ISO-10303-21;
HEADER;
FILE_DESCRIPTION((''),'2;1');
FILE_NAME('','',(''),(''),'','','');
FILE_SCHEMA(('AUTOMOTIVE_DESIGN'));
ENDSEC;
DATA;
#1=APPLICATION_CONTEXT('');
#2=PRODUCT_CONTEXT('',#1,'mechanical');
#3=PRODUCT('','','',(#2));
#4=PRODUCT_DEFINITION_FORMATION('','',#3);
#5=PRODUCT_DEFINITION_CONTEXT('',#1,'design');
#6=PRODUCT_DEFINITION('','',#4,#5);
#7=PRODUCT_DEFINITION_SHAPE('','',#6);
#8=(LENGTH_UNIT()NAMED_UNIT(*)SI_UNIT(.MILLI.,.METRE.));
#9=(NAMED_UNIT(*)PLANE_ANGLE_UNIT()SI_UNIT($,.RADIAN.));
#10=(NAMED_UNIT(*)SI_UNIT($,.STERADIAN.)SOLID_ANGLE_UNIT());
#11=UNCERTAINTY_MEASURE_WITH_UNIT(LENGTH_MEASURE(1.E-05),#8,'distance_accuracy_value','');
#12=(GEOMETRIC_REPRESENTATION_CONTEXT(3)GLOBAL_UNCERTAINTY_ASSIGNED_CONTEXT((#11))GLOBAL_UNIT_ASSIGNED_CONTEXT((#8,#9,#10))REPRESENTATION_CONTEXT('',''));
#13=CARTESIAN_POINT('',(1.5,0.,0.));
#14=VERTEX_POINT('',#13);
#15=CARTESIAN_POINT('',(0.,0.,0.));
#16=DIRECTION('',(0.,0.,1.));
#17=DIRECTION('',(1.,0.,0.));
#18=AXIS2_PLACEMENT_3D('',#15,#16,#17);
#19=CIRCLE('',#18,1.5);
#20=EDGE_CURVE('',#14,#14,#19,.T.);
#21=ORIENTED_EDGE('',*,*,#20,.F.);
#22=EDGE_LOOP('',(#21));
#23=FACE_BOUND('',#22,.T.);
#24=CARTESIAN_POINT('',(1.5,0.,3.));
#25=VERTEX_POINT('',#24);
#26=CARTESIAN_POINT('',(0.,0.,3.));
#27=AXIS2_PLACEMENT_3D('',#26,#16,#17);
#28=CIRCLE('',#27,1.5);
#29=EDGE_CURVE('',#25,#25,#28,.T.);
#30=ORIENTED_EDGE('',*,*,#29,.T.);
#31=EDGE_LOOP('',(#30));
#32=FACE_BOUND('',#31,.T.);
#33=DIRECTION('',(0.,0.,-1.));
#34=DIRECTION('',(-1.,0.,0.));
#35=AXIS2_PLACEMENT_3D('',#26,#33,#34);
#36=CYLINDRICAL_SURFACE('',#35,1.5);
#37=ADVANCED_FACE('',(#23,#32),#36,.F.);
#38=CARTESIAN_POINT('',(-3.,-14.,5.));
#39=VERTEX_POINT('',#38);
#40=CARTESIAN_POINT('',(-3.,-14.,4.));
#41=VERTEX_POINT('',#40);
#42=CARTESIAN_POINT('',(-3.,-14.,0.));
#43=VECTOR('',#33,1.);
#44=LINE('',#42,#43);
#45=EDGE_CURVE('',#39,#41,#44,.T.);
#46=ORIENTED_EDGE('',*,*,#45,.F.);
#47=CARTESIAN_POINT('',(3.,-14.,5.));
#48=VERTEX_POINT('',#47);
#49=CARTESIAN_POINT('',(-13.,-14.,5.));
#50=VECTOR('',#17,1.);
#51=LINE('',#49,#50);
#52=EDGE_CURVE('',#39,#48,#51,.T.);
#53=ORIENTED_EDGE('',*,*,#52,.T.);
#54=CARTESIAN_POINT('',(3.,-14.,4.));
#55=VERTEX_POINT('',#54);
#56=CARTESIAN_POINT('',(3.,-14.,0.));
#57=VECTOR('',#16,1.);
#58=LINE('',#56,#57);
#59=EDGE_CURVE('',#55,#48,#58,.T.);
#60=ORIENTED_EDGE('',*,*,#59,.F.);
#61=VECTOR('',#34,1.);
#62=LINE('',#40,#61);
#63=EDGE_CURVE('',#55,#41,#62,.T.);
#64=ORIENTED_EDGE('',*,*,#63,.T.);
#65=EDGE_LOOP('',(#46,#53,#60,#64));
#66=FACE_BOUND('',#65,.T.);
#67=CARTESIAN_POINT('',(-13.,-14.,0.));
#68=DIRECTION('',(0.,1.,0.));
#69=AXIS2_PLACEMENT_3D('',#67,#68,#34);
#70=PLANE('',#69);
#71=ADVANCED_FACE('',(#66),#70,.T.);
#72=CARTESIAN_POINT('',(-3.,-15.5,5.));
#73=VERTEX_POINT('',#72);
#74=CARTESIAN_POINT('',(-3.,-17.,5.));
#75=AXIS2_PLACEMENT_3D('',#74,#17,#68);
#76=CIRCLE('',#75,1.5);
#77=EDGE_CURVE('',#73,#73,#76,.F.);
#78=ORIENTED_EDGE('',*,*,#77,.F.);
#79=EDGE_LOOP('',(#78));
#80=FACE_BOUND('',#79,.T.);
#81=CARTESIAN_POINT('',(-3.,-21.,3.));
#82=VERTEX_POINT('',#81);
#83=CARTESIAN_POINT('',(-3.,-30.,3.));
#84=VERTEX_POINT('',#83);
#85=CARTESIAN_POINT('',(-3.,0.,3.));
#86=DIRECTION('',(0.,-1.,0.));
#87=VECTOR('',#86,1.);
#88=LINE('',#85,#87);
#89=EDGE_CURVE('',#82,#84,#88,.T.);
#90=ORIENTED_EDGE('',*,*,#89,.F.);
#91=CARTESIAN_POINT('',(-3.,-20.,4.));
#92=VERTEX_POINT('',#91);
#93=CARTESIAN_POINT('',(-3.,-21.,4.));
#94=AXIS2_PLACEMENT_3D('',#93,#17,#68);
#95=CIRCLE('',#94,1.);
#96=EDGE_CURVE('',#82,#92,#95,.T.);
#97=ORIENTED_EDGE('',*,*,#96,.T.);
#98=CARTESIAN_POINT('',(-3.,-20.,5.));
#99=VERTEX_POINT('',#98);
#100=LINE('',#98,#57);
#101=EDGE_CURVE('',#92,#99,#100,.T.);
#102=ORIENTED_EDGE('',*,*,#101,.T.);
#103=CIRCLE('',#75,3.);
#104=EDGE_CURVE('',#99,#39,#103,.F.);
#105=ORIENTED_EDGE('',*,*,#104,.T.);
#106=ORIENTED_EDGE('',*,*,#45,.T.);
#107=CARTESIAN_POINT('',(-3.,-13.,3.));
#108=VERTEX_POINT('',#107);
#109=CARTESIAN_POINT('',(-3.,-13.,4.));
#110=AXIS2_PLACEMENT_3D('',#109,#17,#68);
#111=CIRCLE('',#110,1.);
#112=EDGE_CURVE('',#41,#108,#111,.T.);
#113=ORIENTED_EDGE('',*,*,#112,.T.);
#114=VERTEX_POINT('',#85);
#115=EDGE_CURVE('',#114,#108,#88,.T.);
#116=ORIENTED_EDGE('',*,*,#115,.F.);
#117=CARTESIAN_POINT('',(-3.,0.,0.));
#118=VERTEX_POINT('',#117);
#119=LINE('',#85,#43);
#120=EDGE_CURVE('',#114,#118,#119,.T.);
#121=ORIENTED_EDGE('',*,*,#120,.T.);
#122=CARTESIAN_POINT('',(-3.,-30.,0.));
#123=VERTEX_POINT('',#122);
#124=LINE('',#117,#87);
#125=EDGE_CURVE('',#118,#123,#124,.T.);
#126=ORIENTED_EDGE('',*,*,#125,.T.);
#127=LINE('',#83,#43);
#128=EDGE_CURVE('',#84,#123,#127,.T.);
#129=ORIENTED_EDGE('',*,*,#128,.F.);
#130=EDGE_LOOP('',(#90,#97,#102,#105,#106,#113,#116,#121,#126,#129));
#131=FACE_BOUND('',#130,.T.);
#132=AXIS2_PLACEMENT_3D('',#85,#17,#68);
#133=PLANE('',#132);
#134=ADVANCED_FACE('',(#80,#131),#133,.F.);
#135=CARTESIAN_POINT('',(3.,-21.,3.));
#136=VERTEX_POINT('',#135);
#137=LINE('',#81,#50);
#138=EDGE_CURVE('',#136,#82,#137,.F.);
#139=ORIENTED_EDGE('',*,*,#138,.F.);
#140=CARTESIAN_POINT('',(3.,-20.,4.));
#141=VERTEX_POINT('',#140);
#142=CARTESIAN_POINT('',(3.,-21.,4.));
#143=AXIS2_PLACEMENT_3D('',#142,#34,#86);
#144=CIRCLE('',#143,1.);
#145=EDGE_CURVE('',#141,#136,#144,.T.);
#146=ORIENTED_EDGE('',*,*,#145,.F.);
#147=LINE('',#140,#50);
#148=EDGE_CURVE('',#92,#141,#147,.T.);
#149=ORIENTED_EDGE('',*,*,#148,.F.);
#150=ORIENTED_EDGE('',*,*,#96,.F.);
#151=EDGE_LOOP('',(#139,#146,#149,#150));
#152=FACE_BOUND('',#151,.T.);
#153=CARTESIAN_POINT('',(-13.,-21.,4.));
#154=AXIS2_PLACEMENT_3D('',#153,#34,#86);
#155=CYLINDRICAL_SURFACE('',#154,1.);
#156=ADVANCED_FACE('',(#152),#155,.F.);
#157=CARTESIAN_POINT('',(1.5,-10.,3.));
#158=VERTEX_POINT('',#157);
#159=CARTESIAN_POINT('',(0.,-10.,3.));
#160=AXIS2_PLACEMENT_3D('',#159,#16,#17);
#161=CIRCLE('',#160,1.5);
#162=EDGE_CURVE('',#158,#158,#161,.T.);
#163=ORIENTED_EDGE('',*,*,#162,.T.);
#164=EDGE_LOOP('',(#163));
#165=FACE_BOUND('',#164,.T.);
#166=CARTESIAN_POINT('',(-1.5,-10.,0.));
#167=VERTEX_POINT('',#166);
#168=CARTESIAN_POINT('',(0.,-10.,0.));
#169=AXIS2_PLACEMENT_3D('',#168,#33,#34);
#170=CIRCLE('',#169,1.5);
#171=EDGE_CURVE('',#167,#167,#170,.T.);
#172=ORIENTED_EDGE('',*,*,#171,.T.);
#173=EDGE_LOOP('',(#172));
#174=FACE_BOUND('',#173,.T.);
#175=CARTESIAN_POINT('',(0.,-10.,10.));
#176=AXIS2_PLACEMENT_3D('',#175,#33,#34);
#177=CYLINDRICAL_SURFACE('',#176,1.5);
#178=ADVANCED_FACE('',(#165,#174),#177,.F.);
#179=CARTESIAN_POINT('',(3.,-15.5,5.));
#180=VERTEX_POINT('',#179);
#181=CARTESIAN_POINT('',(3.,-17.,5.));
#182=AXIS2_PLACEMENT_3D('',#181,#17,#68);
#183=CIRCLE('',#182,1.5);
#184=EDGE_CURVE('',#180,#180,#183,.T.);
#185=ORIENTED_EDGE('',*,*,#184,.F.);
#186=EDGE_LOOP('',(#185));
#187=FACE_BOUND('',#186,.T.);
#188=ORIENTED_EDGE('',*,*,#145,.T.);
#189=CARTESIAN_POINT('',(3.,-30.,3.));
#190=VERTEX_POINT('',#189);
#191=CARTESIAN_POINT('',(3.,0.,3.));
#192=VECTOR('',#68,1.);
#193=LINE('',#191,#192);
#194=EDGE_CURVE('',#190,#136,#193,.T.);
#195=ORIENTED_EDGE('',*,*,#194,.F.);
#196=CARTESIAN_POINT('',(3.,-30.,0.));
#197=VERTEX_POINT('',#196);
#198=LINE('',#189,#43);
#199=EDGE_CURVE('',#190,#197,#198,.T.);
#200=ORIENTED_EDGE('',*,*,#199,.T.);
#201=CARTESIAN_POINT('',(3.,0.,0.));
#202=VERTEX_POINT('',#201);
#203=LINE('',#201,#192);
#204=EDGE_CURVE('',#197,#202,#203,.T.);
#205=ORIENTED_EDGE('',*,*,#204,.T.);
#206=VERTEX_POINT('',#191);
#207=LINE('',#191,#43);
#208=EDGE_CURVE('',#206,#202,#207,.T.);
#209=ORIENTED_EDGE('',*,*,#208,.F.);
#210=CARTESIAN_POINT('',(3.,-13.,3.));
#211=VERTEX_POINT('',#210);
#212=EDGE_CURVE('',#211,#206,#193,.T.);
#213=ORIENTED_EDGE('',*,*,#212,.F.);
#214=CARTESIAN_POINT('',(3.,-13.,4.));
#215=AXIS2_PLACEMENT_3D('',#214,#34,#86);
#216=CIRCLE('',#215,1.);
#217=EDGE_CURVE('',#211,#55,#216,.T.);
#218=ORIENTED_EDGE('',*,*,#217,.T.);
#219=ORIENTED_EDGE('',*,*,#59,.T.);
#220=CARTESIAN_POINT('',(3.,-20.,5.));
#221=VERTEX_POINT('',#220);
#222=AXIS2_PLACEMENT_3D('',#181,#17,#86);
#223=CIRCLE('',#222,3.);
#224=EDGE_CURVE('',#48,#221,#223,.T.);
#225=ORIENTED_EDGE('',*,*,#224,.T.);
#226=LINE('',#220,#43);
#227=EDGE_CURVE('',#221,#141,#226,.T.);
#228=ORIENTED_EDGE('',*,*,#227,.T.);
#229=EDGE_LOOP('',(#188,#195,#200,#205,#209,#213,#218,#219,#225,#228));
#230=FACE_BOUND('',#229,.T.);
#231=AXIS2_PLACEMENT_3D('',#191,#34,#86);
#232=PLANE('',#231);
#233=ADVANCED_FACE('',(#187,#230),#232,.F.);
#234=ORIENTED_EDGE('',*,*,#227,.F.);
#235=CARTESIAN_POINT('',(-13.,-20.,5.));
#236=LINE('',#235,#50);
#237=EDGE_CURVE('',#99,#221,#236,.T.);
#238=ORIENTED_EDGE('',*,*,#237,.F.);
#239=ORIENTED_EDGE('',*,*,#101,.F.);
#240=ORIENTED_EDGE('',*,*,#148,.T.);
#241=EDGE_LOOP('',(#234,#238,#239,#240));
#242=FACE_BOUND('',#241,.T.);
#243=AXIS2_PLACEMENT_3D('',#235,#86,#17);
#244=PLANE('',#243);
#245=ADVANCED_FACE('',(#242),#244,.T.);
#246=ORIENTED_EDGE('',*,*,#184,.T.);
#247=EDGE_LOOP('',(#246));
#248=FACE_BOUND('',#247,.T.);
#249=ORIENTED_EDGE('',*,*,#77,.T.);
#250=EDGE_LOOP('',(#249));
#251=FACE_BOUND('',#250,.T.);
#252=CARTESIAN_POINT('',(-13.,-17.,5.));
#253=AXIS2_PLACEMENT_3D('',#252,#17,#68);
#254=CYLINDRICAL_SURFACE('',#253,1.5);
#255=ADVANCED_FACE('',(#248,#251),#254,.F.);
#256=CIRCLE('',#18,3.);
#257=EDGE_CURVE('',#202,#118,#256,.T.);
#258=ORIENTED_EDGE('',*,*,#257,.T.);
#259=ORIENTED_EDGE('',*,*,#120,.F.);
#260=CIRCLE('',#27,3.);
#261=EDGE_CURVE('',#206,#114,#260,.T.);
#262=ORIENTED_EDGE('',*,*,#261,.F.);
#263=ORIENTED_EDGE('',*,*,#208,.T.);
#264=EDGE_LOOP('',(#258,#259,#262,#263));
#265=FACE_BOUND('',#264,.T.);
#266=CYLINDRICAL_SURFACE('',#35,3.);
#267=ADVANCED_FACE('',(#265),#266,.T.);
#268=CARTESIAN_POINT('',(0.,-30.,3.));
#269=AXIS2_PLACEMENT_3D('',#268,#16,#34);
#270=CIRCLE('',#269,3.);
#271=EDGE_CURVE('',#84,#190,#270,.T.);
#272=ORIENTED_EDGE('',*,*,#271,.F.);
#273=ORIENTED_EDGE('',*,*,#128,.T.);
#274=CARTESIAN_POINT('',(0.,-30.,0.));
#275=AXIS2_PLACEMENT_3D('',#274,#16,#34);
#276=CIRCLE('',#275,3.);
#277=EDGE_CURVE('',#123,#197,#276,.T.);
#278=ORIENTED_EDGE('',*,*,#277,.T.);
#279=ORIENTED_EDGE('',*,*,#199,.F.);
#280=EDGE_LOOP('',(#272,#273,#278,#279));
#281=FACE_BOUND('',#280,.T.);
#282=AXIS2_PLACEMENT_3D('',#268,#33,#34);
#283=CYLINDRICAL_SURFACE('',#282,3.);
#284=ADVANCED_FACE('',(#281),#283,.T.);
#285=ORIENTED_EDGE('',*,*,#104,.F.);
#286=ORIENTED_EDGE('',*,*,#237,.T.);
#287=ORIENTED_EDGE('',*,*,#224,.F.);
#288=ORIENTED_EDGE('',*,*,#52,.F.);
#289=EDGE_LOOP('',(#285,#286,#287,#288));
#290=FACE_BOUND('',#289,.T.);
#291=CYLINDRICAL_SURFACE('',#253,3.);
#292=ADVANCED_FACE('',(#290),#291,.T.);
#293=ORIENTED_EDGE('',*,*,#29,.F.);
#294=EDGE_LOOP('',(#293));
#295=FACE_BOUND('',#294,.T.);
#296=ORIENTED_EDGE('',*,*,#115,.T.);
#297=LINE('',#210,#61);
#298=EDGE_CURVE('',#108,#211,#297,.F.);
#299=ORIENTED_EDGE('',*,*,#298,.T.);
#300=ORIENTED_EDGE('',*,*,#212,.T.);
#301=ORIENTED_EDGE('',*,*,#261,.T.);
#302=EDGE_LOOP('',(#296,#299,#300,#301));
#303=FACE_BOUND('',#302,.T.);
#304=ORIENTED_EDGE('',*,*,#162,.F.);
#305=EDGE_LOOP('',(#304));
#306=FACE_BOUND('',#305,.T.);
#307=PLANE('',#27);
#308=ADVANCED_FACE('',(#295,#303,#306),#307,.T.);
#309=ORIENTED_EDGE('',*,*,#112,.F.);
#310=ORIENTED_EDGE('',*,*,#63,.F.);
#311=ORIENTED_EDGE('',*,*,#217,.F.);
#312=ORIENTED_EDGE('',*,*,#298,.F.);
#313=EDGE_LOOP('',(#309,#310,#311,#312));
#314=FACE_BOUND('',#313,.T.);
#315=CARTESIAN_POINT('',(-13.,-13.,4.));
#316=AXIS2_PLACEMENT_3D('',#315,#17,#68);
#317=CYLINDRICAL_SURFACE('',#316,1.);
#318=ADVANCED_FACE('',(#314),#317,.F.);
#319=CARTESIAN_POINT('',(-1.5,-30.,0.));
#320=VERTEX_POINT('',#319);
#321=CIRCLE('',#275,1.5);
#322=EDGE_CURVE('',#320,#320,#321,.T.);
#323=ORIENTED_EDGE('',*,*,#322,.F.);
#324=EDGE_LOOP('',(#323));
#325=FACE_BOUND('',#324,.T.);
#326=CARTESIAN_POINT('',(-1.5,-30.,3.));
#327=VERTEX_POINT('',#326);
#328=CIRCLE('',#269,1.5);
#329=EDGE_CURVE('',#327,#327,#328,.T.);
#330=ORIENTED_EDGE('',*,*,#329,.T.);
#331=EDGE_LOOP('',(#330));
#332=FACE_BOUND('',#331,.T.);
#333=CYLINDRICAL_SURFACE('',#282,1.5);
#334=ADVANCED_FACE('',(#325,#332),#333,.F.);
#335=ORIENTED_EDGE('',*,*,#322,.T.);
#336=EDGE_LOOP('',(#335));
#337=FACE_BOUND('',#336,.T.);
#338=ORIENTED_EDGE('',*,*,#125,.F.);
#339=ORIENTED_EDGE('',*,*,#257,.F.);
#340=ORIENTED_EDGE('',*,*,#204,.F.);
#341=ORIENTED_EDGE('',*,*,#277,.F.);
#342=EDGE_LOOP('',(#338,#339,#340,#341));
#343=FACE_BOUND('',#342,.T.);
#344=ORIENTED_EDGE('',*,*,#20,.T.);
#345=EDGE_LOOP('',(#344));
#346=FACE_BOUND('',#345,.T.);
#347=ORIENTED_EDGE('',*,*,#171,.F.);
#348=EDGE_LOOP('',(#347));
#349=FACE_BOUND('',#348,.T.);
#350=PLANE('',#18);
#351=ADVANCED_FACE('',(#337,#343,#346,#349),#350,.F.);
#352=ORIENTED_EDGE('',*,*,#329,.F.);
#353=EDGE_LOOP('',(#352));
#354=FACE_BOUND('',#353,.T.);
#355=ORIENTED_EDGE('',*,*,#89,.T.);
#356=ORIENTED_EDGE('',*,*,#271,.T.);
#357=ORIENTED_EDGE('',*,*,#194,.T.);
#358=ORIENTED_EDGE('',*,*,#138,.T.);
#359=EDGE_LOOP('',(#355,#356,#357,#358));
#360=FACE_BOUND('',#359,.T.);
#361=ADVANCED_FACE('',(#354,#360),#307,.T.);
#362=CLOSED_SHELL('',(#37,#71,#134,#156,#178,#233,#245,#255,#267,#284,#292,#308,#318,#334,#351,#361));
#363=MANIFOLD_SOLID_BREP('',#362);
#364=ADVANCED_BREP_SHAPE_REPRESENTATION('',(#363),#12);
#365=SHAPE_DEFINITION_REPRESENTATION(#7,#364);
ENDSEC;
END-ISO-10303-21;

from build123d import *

# Parameters (mm, degrees)
SKETCH_1_R          = 1.5
EXTRUDE_1_DEPTH     = 3
SKETCH_2_R          = 1.5
EXTRUDE_4_DEPTH     = 6
FILLET_1_R          = 1
SKETCH_3_R          = 1.5
CUT_EXTRUDE_1_DEPTH = 10


with BuildPart() as part:
    # ｽｹｯﾁ1 → ﾎﾞｽ - 押し出し1 (new body)
    with BuildSketch(Plane.XY):
        with BuildLine():
            Line((-3, 0), (-3, -30))
            ThreePointArc((-3, -30), (0, -33), (3, -30))
            Line((3, -30), (3, 0))
            ThreePointArc((3, 0), (0, 3), (-3, 0))
        make_face()
        Circle(SKETCH_1_R, mode=Mode.SUBTRACT)
        with Locations(Location((0, -30, 0), (0, 0, 180))):
            Circle(SKETCH_1_R, mode=Mode.SUBTRACT)
    extrude(amount=EXTRUDE_1_DEPTH)

    # ｽｹｯﾁ2 → ﾎﾞｽ - 押し出し4 (add)
    with BuildSketch(Plane(origin=(3, 0, 0), x_dir=(0, 0, -1), z_dir=(1, 0, 0))):
        with BuildLine():
            Line((0, -14), (-5, -14))
            ThreePointArc((-5, -14), (-8, -17), (-5, -20))
            Line((-5, -20), (0, -20))
            Line((0, -20), (0, -14))
        make_face()
        with Locations(Location((-5, -17, 0), (0, 0, 90))):
            Circle(SKETCH_2_R, mode=Mode.SUBTRACT)
    extrude(amount=-EXTRUDE_4_DEPTH)

    # ﾌｨﾚｯﾄ1
    fillet_1_edges = [part.edges().sort_by_distance(p)[0] for p in [
        (0, -14, 3),
        (0, -20, 3),
    ]]
    fillet(fillet_1_edges, radius=FILLET_1_R)

    # ｽｹｯﾁ3 → ｶｯﾄ - 押し出し1 (cut)
    with BuildSketch(Plane(origin=(0, 0, 0), x_dir=(-1, 0, 0), z_dir=(0, 0, -1))):
        with Locations((0, -10)):
            Circle(SKETCH_3_R)
    extrude(amount=-CUT_EXTRUDE_1_DEPTH, mode=Mode.SUBTRACT)


solid = part.part
